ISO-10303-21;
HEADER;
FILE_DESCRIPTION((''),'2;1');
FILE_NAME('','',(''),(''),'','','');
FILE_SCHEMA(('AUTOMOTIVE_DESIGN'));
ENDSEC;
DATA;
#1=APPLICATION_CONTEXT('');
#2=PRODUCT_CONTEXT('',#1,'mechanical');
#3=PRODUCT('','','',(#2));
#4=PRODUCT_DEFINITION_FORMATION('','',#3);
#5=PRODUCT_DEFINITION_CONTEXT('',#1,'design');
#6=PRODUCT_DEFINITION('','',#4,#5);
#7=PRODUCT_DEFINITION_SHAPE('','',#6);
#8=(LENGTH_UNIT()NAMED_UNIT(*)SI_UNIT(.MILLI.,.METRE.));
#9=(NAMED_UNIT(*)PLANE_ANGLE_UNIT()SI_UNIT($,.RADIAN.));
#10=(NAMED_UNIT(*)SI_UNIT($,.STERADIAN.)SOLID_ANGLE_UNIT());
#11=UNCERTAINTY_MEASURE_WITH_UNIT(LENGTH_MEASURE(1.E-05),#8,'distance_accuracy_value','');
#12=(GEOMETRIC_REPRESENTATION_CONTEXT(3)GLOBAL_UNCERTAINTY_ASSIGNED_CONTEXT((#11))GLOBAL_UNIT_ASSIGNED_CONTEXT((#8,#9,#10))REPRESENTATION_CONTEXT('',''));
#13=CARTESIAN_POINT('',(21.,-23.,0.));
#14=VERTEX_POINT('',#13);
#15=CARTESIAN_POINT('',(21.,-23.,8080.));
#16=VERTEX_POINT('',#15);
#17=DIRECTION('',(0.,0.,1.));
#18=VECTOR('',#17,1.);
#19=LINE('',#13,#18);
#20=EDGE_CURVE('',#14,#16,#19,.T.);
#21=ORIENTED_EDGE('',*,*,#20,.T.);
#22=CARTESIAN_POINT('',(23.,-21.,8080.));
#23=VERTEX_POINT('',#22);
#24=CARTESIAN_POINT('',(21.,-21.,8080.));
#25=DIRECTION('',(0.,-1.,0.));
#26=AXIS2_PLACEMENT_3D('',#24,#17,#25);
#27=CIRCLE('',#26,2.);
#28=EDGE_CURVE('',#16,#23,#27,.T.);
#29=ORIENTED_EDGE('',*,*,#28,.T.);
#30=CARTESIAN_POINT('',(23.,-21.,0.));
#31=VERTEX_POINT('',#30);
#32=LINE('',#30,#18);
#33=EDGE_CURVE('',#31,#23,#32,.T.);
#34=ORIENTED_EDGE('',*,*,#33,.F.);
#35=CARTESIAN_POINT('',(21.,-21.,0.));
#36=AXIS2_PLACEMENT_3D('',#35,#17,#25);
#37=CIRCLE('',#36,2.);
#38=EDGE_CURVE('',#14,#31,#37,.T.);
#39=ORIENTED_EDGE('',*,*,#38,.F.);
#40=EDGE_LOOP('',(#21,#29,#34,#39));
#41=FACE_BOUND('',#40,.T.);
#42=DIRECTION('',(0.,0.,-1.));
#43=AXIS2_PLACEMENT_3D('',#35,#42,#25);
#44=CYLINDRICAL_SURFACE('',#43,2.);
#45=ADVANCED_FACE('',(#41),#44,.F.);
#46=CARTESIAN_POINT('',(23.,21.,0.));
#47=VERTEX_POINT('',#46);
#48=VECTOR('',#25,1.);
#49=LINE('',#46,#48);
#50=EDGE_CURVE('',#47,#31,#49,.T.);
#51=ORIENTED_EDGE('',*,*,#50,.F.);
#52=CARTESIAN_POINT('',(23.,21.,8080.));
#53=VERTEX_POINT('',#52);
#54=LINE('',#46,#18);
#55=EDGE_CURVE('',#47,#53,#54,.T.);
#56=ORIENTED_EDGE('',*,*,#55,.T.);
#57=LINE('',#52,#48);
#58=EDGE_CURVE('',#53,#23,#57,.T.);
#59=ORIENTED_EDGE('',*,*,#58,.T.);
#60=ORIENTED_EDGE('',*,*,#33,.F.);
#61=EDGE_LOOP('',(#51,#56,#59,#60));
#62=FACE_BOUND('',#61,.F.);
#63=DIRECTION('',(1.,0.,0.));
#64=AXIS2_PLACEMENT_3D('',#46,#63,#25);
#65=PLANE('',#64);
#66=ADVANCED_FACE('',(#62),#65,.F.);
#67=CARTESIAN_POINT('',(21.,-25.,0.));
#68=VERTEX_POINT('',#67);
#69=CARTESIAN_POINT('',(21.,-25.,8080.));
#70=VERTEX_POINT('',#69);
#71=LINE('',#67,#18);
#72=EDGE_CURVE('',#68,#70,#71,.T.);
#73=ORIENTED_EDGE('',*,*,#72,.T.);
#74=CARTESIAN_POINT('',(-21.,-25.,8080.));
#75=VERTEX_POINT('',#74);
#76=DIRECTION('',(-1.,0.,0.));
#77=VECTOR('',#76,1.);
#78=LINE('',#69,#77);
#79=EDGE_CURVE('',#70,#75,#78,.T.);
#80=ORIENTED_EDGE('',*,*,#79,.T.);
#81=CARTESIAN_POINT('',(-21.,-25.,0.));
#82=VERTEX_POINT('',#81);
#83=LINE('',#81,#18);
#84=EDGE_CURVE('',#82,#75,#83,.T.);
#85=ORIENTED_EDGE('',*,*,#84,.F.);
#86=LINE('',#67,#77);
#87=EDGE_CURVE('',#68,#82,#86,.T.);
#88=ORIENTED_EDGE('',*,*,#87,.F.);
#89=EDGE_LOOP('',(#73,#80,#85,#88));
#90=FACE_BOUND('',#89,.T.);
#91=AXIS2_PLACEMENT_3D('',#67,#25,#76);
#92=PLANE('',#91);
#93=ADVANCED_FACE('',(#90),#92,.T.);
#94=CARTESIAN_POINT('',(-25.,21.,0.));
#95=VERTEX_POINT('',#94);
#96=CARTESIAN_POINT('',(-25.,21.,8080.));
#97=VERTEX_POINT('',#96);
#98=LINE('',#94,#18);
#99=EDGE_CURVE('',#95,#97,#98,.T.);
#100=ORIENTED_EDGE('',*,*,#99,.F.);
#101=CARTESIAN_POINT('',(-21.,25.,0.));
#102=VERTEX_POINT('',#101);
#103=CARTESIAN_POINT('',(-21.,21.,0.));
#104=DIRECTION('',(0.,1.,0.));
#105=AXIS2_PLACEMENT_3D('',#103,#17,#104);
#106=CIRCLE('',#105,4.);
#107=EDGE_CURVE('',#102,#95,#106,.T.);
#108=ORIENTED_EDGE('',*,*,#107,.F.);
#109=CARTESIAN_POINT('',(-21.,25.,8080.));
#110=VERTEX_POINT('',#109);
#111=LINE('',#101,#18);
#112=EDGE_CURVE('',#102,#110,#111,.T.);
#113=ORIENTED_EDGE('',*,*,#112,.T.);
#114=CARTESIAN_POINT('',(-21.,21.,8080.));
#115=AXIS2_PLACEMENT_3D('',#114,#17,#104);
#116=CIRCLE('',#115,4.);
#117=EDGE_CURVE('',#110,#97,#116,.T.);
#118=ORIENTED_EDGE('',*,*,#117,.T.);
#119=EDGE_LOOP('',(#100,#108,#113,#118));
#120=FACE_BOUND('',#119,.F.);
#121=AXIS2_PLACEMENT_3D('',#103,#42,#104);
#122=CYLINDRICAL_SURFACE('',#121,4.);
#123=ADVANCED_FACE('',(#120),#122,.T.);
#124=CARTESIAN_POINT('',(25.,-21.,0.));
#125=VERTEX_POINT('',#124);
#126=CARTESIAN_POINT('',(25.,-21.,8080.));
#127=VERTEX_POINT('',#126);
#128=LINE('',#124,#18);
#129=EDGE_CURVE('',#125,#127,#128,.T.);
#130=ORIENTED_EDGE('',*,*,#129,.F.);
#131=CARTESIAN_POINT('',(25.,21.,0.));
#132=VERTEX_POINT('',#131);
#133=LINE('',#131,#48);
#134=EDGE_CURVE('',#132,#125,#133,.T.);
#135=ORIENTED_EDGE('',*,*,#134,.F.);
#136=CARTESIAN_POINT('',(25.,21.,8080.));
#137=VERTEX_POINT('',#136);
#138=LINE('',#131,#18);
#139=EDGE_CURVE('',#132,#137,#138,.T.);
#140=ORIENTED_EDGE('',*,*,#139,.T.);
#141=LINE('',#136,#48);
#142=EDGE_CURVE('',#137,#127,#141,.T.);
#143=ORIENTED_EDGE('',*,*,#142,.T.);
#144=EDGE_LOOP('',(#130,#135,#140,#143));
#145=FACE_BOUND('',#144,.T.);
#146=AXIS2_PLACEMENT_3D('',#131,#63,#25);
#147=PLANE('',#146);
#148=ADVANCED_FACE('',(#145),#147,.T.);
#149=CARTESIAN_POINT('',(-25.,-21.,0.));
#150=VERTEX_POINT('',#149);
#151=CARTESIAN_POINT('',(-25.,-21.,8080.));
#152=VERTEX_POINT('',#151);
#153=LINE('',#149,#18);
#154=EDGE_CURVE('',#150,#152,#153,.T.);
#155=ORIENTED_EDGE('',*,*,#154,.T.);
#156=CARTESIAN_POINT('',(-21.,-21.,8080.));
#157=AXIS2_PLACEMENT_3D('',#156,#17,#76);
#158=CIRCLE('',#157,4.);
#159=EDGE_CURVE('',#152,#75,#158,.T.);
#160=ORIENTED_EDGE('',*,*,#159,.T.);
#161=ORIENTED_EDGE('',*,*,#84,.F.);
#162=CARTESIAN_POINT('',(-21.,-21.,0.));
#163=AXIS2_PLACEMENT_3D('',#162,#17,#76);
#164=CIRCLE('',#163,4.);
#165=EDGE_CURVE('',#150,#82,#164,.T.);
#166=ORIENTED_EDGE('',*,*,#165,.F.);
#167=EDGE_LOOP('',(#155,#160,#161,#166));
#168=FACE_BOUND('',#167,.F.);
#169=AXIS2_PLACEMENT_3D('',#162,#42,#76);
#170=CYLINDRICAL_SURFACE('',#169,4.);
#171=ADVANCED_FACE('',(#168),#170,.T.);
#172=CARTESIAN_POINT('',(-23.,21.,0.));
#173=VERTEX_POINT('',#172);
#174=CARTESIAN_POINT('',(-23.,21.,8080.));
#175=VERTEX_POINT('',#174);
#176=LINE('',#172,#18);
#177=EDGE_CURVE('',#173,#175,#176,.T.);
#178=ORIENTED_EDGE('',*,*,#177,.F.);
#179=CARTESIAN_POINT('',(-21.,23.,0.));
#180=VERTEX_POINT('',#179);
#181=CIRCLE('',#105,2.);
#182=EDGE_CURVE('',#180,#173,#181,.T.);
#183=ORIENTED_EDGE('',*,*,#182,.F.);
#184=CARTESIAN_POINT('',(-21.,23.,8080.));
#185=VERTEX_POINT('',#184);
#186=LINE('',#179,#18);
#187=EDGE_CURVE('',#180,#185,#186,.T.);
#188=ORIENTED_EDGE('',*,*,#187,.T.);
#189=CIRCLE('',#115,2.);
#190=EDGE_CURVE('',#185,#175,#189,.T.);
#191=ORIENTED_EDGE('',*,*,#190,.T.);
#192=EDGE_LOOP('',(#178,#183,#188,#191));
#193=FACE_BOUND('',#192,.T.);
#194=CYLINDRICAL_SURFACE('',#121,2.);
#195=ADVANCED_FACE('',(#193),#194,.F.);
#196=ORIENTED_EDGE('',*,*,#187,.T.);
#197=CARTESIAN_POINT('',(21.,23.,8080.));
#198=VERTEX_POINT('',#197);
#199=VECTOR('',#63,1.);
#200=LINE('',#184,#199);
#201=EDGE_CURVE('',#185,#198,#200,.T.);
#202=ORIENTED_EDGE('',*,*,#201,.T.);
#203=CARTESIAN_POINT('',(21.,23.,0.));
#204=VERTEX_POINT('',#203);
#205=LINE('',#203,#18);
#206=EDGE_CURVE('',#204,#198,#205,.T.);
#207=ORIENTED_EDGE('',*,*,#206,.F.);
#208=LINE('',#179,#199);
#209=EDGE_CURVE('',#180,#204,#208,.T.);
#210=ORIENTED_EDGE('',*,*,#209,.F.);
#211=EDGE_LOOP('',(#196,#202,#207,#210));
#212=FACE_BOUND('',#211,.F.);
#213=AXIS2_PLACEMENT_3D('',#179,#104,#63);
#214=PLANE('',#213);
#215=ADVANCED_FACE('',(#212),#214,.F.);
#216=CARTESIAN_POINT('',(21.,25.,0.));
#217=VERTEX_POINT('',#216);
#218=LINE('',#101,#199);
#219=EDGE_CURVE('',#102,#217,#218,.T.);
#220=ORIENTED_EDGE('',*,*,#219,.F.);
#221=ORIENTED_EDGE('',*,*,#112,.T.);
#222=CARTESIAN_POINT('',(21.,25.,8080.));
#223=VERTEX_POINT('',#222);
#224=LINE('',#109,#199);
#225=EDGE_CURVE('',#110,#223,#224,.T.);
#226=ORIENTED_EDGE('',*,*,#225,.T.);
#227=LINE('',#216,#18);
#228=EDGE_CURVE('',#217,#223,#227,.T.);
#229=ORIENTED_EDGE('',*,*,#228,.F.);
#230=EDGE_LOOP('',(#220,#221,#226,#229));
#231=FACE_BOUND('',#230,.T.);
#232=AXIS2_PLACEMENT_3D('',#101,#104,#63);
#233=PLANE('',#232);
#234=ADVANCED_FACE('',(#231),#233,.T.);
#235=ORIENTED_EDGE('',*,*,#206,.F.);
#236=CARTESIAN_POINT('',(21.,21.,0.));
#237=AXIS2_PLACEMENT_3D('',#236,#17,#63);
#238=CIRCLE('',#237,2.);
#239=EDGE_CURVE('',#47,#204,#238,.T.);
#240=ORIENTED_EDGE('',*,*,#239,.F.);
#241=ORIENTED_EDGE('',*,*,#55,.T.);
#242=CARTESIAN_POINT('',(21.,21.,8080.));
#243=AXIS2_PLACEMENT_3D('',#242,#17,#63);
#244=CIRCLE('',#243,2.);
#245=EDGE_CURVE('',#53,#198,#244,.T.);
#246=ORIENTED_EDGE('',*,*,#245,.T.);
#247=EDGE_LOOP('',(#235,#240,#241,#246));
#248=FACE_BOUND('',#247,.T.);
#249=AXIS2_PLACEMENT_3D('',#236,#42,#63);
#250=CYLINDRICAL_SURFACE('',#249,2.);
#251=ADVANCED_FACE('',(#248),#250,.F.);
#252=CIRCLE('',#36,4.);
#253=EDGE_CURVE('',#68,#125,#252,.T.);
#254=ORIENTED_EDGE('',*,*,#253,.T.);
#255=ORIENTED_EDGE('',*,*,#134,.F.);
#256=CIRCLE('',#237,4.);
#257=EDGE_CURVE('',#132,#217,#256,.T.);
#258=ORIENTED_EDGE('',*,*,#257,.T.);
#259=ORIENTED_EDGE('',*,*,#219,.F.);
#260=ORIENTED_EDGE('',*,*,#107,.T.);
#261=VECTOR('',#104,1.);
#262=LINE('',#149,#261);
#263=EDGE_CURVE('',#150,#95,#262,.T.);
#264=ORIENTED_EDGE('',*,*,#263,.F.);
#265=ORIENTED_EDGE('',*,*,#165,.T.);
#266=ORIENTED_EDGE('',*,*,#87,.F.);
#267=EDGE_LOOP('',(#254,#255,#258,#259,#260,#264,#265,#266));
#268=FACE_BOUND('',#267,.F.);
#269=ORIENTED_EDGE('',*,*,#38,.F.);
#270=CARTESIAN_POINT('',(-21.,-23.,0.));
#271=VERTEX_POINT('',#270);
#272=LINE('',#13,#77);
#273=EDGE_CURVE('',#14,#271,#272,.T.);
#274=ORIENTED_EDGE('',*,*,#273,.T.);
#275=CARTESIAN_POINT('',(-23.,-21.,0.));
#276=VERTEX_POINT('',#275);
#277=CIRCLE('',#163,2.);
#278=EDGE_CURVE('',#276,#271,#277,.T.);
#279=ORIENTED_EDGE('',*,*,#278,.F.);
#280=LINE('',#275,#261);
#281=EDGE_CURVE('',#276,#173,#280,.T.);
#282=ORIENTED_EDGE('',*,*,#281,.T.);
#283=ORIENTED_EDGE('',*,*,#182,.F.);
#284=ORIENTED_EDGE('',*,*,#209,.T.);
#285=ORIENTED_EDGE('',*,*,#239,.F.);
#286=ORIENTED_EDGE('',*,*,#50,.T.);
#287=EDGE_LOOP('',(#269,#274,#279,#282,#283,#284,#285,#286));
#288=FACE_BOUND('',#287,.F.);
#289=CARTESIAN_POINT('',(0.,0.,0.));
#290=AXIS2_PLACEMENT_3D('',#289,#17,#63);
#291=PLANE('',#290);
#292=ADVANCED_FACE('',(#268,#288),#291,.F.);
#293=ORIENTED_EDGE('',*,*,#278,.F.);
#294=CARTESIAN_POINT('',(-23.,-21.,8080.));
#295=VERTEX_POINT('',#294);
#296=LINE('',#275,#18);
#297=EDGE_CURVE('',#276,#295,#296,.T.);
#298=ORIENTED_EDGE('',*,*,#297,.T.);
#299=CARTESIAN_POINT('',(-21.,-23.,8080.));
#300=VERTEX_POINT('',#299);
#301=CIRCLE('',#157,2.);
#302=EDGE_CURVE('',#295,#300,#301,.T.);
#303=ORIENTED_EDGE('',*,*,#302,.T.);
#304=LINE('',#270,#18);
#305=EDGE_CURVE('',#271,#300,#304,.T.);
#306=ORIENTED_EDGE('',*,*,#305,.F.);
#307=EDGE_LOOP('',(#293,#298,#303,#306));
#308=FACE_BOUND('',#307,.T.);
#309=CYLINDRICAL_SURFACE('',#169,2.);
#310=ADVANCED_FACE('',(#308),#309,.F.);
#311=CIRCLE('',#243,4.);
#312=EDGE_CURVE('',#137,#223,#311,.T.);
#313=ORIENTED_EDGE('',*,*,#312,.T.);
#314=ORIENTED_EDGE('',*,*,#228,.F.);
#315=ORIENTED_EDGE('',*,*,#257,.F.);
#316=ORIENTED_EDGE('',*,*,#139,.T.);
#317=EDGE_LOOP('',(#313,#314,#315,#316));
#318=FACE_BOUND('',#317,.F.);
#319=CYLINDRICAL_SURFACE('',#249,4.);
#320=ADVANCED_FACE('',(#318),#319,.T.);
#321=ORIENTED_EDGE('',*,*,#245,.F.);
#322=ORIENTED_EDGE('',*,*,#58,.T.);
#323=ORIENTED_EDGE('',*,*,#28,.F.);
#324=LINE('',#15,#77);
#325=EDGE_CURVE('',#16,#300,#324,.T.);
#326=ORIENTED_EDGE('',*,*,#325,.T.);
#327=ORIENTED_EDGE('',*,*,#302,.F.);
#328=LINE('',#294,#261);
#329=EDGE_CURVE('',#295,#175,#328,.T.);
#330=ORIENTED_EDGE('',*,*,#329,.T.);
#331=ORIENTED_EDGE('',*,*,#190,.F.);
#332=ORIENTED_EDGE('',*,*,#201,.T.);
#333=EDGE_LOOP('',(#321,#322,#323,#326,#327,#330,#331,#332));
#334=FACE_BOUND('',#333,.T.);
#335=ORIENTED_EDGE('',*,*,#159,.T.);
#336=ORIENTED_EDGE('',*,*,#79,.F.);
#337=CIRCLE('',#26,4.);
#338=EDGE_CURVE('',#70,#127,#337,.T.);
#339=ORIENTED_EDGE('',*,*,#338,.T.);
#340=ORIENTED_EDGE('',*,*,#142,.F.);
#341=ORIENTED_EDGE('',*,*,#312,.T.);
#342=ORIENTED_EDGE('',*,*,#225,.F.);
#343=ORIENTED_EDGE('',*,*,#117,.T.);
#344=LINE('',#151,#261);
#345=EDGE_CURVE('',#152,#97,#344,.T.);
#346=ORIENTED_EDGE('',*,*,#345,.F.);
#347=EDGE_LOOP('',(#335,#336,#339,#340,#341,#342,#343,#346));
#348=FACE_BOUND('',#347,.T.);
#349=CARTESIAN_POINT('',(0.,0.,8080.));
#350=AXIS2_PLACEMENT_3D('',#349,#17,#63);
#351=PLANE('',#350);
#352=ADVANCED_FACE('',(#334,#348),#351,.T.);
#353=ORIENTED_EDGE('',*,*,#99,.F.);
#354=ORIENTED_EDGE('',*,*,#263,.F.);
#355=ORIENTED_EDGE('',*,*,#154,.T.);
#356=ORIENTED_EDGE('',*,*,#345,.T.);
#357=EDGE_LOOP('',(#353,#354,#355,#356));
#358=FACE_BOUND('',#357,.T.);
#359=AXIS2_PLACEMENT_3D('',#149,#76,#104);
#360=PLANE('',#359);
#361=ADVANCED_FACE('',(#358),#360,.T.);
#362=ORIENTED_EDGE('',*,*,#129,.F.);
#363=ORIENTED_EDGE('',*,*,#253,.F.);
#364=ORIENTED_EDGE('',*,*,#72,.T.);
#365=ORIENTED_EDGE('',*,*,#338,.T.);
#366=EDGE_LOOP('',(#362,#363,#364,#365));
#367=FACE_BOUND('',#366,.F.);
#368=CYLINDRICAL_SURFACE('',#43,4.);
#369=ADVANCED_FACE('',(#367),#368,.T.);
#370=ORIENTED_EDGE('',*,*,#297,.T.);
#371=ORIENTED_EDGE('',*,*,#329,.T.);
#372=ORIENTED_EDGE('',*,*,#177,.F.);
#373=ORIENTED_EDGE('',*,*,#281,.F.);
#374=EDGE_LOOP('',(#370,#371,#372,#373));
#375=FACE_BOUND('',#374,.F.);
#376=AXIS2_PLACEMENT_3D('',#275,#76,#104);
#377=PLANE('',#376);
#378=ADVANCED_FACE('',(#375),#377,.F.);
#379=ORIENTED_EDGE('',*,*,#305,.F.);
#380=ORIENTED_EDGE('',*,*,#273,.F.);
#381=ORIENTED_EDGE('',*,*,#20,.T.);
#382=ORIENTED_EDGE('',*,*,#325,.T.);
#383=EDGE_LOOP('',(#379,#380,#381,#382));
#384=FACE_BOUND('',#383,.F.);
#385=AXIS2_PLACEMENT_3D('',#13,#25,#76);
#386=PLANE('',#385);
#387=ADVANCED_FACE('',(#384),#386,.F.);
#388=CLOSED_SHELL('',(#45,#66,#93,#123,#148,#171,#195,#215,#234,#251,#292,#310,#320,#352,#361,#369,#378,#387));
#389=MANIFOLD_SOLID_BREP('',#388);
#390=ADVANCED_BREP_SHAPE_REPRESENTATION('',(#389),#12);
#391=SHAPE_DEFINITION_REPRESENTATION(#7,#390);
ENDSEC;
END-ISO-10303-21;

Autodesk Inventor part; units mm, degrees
ref_plane "YZ Plane" through (0, 0, 0) normal (1, 0, 0) x (0, 1, 0)
ref_plane "Start plane" through (0, 0, 0) normal (0, 0, 1) x (1, 0, 0)
ref_plane "End plane" through (0, 0, 8080) normal (0, 0, 1) x (1, 0, 0)
sketch "Sketch" plane through (0, 0, 0) normal (0, 0, 1) x (1, 0, 0)
  line L0 (-25, -21) -> (-25, 21)
  line L1 (-21, 25) -> (21, 25)
  line L2 (25, 21) -> (25, -21)
  line L3 (21, -25) -> (-21, -25)
  arc A0 (-25, -21) -> (-21, -25) centre (-21, -21) ccw
  arc A1 (25, 21) -> (21, 25) centre (21, 21) ccw
  arc A2 (-21, 25) -> (-25, 21) centre (-21, 21) ccw
  arc A3 (21, -25) -> (25, -21) centre (21, -21) ccw
  arc A4 (-21, 23) -> (-23, 21) centre (-21, 21) ccw
  line L4 (-21, 23) -> (21, 23)
  arc A5 (23, 21) -> (21, 23) centre (21, 21) ccw
  line L5 (23, 21) -> (23, -21)
  arc A6 (21, -23) -> (23, -21) centre (21, -21) ccw
  line L6 (21, -23) -> (-21, -23)
  arc A7 (-23, -21) -> (-21, -23) centre (-21, -21) ccw
  line L7 (-23, -21) -> (-23, 21)
  line L8 (0, 37.1021) -> (0, -37.1021) construction
  line L9 (-23.1021, 0) -> (23.1021, 0) construction
  dimension "d7" = 4
  dimension "d9" = 50
  dimension "d11" = 50
  dimension "d12" = 2
  dimension "d15" = 25
  dimension "d16" = 25
extrude "Body" add sketch "Sketch" along normal up to surface (8080 mm away) from surface at 0
sketch "Sketch3" plane through (0, 0, 0) normal (0, 0, 1) x (1, 0, 0)
  line L0 (0, 0) -> (10, 0)
ref_plane "Work Plane3" through (0, 0, 0) normal (0, -1, 0) x (1, 0, 0)
sketch "Sketch4" plane through (0, 0, 0) normal (0, -1, 0) x (1, 0, 0)
  line L0 (-2, 0) -> (12, 0) projected
  line L1 (-2, 8080) -> (12, 8080) projected
  dimension "d18" = 8080
equation "\"d7\" = G_IR"
equation "\"d9\" = G_W"
equation "\"d11\" = G_H"
equation "\"d12\" = G_T"
equation "\"d15\" = 0.5 * d9"
equation "\"d16\" = 0.5 * d11"
equation "\"d3\" = G_L"
equation "\"G_W\" = 50"
equation "\"G_H\" = 50"
equation "\"G_T\" = 2"
equation "\"G_IR\" = 4"
equation "\"G_L\" = d18"
equation "\"G_OFFSET_START\" = 0"
equation "\"G_OFFSET_END\" = 0"
properties part number "BSH 075 tube" material "09g2s"
